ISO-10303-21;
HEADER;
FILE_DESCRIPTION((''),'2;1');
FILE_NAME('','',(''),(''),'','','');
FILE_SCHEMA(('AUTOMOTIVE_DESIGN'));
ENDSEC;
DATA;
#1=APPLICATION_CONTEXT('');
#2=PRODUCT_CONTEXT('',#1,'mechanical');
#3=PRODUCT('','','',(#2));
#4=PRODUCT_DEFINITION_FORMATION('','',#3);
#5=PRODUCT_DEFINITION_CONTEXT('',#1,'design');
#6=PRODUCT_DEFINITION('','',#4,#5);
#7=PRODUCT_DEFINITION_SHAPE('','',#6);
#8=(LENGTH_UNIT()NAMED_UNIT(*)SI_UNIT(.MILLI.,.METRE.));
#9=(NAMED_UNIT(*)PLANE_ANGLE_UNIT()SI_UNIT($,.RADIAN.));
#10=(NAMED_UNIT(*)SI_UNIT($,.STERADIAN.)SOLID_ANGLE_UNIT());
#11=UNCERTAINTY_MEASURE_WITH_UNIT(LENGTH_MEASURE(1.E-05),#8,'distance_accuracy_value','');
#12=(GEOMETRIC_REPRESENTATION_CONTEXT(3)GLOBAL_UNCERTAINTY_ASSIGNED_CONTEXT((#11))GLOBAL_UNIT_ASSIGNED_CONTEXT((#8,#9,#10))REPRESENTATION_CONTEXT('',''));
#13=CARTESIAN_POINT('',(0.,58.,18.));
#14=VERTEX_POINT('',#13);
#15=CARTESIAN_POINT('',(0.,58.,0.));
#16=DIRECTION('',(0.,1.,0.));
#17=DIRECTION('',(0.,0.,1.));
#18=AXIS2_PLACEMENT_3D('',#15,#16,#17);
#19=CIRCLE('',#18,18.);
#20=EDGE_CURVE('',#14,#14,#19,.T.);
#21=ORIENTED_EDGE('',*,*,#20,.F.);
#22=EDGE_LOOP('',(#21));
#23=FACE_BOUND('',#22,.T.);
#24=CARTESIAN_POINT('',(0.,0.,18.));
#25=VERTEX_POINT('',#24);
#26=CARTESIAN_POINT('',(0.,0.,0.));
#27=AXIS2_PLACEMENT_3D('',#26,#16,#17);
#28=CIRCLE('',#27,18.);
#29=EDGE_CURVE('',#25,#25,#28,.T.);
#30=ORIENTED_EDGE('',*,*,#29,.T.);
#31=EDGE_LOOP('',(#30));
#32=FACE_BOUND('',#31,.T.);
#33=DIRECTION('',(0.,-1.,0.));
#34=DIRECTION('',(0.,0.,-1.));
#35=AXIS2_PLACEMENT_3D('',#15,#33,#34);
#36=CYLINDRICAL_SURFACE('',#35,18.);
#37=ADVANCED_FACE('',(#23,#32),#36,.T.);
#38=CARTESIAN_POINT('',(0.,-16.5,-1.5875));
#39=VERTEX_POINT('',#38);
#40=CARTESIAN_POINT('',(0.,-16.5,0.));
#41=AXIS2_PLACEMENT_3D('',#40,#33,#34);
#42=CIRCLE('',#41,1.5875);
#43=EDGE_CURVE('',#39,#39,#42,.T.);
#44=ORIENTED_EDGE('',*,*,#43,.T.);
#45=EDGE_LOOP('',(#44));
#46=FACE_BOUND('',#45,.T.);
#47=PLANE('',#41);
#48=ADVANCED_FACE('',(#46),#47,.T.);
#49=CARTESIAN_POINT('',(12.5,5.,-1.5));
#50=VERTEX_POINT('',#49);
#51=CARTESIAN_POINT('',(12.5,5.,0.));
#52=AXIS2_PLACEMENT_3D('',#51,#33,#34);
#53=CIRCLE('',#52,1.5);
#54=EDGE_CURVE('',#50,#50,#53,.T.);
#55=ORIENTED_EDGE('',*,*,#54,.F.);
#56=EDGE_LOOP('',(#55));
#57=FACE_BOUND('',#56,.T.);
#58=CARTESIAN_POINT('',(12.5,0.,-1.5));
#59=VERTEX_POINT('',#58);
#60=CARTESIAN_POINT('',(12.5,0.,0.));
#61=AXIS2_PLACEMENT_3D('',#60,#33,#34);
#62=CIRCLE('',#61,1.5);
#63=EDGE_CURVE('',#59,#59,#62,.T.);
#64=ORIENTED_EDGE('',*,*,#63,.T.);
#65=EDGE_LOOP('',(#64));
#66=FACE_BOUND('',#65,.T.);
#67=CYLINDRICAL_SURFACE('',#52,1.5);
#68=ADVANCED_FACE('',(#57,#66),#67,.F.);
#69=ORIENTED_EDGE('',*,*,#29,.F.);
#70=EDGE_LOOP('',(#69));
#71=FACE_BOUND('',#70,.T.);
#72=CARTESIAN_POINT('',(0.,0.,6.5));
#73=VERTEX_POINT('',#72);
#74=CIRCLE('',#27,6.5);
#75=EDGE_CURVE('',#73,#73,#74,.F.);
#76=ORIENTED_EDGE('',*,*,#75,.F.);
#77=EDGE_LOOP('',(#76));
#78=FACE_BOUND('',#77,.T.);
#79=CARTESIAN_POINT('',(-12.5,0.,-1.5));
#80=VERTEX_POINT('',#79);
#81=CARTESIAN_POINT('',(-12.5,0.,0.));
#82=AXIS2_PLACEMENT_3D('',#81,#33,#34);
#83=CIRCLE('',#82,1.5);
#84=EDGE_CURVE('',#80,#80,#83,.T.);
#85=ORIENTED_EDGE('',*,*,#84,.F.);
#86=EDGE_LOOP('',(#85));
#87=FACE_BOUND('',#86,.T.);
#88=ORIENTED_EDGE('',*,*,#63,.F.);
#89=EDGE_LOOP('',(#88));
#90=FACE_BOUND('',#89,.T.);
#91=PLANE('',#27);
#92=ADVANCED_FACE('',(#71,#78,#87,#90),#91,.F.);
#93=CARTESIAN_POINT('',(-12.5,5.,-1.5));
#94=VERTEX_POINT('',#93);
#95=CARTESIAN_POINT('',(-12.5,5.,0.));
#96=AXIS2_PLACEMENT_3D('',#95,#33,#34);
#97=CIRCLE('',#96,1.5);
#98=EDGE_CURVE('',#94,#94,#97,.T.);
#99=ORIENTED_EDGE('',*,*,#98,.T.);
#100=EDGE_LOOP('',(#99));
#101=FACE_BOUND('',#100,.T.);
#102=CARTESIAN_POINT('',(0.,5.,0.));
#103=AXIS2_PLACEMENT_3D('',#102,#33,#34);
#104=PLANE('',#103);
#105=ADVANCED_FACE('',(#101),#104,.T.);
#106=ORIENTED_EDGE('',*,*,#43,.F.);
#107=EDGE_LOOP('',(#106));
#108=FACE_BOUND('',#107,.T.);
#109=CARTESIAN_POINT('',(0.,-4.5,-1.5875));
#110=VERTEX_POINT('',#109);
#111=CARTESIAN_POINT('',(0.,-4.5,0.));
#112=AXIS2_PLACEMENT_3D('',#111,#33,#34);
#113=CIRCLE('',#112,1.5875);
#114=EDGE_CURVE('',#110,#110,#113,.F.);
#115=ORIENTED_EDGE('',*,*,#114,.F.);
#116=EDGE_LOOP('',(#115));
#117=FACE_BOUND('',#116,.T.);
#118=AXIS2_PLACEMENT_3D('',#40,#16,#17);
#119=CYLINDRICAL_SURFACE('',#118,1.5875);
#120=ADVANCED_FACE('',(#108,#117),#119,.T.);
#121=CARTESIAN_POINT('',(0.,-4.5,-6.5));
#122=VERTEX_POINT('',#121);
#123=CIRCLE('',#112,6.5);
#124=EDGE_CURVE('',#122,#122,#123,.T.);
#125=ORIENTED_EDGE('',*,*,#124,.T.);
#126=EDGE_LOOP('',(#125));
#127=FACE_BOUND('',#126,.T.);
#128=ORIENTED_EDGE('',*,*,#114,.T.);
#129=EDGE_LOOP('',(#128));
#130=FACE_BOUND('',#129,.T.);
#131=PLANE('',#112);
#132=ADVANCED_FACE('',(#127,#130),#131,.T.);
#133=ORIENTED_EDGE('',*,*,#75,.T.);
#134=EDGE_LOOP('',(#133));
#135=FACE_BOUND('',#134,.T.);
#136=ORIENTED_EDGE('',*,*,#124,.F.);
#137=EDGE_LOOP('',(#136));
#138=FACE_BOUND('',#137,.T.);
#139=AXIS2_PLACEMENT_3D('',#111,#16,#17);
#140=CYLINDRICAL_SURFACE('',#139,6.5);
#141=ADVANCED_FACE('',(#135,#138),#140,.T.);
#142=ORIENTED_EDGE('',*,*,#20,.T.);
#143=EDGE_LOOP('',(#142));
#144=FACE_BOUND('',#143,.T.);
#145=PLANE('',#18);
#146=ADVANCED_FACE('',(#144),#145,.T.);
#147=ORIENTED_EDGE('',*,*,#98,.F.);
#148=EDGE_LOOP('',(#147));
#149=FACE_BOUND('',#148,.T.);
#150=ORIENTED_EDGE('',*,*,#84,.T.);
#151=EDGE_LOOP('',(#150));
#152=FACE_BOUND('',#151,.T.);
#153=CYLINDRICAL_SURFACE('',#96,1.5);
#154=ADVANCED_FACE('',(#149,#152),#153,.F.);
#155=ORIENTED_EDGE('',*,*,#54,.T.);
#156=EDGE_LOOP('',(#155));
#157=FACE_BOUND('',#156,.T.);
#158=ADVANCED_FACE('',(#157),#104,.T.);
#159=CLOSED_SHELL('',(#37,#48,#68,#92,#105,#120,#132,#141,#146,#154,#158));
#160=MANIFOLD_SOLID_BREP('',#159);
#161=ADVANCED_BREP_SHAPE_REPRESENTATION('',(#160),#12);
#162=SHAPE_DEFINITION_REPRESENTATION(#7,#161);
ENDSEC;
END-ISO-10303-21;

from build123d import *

# Parameters (mm, degrees)
SKETCH1_R           = 18
BOSS_EXTRUDE1_DEPTH = 58
SKETCH2_R           = 1.5875
BOSS_EXTRUDE2_DEPTH = 16.5
SKETCH3_R           = 1.5
CUT_EXTRUDE1_DEPTH  = 5
SKETCH3_3_R         = 6.5
SKETCH3_3_R_2       = 1.5875
BOSS_EXTRUDE3_DEPTH = 4.5


with BuildPart() as part:
    # Sketch1 → Boss-Extrude1 (new body)
    with BuildSketch(Plane(origin=(0, 0, 0), x_dir=(1, 0, 0), z_dir=(0, 1, 0))):
        Circle(SKETCH1_R)
    extrude(amount=BOSS_EXTRUDE1_DEPTH)

    # Sketch2 → Boss-Extrude2 (add)
    with BuildSketch(Plane.XZ):
        Circle(SKETCH2_R)
    extrude(amount=BOSS_EXTRUDE2_DEPTH)

    # Sketch3 → Cut-Extrude1 (cut)
    with BuildSketch(Plane(origin=(0, 0, 0), x_dir=(-1, 0, 0), z_dir=(0, -1, 0))):
        with Locations((-12.5, 0)):
            Circle(SKETCH3_R)
        with Locations((12.5, 0)):
            Circle(SKETCH3_R)
    extrude(amount=-CUT_EXTRUDE1_DEPTH, mode=Mode.SUBTRACT)

    # Sketch3<3> → Boss-Extrude3 (add)
    with BuildSketch(Plane(origin=(0, 0, 0), x_dir=(-1, 0, 0), z_dir=(0, -1, 0))):
        Circle(SKETCH3_3_R)
        Circle(SKETCH3_3_R_2, mode=Mode.SUBTRACT)
    extrude(amount=BOSS_EXTRUDE3_DEPTH)


solid = part.part
